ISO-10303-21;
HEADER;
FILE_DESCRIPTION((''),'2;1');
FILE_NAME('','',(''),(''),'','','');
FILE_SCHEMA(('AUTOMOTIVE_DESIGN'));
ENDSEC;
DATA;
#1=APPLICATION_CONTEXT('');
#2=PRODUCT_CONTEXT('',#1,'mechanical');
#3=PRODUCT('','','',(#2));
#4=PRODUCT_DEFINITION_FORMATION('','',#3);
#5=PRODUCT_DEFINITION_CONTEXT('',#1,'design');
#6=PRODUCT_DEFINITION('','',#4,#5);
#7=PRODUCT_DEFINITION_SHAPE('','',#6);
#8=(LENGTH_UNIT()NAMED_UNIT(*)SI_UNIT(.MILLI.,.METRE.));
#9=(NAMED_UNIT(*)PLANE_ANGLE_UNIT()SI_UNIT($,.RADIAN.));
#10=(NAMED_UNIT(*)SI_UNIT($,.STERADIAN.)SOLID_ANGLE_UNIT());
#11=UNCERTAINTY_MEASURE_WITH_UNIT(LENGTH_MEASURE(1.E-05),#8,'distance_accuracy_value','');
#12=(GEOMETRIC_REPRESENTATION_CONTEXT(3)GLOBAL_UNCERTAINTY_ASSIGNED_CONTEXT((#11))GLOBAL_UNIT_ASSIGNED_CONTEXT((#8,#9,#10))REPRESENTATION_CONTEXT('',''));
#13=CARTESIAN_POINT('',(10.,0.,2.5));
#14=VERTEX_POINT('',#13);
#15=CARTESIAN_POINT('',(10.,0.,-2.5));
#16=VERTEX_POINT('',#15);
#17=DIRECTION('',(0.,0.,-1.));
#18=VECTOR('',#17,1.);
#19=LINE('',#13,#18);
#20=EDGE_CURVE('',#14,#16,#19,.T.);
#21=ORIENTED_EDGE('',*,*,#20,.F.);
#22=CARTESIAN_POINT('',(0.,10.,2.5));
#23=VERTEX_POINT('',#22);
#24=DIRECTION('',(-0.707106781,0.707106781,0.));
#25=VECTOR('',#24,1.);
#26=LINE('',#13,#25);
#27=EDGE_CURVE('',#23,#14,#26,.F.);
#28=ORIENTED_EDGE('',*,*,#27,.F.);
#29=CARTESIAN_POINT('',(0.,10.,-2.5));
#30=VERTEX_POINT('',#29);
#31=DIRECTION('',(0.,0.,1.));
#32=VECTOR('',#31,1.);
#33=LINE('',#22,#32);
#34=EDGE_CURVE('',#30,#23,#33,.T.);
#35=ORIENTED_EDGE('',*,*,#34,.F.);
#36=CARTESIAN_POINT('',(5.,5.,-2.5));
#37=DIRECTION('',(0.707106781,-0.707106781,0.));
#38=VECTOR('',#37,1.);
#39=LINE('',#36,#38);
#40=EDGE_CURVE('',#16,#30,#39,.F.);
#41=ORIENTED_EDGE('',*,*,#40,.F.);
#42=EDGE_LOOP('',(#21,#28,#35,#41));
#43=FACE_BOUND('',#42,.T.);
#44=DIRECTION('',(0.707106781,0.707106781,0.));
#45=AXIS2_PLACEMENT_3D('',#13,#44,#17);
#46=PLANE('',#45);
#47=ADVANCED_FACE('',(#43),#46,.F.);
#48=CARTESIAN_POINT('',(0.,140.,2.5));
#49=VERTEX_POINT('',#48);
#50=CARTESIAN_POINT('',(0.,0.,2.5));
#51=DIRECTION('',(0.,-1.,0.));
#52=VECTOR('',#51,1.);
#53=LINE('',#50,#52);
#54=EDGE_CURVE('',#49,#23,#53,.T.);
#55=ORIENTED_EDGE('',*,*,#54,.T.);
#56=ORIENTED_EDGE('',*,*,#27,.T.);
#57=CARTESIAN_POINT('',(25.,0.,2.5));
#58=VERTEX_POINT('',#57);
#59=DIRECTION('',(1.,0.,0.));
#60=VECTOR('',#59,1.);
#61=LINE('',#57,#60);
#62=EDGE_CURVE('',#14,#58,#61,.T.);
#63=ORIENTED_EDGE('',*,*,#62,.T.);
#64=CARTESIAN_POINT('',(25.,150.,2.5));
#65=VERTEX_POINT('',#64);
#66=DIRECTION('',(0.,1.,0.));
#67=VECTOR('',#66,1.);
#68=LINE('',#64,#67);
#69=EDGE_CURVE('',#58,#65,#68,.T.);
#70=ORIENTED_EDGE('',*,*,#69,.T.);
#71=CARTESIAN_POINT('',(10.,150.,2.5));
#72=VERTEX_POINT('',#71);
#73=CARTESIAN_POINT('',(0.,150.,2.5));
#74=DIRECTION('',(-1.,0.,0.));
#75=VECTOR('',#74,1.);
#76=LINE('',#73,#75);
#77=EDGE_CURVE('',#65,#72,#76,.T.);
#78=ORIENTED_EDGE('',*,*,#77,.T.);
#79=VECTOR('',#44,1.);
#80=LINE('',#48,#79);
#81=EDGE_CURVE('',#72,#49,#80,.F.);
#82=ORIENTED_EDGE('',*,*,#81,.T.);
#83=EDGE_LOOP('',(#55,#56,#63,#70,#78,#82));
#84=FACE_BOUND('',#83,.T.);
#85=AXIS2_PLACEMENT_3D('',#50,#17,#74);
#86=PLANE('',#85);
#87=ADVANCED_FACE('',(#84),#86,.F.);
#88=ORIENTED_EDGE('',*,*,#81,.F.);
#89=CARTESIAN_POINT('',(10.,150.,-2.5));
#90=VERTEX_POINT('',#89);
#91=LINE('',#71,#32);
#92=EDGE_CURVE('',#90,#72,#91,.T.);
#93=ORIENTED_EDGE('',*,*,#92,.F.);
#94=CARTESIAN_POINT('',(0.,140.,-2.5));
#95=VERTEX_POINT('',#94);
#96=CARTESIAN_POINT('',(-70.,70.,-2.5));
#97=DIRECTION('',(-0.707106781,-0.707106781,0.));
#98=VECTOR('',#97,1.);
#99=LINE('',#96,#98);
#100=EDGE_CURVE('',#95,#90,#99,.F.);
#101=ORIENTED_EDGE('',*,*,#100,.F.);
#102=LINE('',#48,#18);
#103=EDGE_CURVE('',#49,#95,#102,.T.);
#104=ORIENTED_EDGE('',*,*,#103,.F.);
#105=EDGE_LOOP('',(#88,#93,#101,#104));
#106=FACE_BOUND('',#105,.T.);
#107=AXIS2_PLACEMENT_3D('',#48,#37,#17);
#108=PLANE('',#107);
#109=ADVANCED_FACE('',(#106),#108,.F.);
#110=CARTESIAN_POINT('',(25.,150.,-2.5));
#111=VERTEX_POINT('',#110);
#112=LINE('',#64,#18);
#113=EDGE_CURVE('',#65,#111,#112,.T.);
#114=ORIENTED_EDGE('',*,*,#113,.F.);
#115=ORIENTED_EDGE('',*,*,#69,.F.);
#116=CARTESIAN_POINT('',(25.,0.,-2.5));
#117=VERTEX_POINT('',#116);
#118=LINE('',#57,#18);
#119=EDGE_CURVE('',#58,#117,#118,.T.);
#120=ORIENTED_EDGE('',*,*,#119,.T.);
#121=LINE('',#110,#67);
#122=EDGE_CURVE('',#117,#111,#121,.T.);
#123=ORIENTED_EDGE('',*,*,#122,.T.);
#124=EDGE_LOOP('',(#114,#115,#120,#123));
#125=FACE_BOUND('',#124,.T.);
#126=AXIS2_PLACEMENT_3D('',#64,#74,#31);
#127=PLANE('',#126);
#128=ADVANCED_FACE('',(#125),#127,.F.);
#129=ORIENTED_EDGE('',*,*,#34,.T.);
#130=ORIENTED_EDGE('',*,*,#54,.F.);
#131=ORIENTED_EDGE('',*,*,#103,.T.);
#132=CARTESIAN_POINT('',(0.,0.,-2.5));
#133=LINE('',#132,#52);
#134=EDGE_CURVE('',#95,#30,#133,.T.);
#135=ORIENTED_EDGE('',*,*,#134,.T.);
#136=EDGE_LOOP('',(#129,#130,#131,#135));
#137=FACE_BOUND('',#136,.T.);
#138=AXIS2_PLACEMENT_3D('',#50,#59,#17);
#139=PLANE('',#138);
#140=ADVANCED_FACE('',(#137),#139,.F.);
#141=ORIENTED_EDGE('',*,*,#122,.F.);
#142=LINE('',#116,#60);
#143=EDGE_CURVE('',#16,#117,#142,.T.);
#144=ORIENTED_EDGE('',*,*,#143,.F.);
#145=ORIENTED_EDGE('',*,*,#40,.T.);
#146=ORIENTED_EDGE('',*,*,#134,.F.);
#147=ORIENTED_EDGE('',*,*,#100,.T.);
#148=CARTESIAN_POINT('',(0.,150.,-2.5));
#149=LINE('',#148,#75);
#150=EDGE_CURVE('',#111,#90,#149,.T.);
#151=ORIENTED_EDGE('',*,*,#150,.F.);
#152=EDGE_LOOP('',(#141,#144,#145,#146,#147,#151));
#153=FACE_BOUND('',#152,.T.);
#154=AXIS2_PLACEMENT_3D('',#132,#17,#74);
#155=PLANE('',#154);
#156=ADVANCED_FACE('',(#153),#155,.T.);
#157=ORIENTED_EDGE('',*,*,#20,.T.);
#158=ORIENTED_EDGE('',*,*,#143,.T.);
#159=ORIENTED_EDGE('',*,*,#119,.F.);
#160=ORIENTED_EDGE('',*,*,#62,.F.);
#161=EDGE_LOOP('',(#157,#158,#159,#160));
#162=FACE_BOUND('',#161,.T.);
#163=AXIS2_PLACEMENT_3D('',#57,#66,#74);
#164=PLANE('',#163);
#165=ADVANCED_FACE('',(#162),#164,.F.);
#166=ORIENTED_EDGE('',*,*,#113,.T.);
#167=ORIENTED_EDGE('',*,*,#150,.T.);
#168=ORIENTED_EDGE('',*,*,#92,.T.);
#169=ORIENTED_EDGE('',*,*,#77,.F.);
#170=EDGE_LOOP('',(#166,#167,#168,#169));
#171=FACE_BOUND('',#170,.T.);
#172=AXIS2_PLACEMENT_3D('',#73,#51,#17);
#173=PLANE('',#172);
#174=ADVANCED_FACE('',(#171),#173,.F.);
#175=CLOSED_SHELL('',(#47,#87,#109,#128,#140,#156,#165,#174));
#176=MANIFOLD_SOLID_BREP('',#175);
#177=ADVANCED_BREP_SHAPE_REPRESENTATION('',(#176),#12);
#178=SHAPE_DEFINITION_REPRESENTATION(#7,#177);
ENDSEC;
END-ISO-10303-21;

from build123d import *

# Parameters (mm, degrees)
SKETCH_1_W      = 25
SKETCH_1_H      = 150
EXTRUDE_1_DEPTH = 2.5
CHAMFER_1_SIZE  = 10


with BuildPart() as part:
    # Эскиз1 → Бобышка-Вытянуть1 (new, symmetric)
    with BuildSketch(Plane.XY):
        with Locations((12.5, 75)):
            Rectangle(SKETCH_1_W, SKETCH_1_H)
    extrude(amount=EXTRUDE_1_DEPTH, both=True)

    # Фаска1
    chamfer_1_edges = [part.edges().sort_by_distance(p)[0] for p in [
        (0, 0, 0),
        (0, 150, 0),
    ]]
    chamfer(chamfer_1_edges, length=CHAMFER_1_SIZE)


solid = part.part
